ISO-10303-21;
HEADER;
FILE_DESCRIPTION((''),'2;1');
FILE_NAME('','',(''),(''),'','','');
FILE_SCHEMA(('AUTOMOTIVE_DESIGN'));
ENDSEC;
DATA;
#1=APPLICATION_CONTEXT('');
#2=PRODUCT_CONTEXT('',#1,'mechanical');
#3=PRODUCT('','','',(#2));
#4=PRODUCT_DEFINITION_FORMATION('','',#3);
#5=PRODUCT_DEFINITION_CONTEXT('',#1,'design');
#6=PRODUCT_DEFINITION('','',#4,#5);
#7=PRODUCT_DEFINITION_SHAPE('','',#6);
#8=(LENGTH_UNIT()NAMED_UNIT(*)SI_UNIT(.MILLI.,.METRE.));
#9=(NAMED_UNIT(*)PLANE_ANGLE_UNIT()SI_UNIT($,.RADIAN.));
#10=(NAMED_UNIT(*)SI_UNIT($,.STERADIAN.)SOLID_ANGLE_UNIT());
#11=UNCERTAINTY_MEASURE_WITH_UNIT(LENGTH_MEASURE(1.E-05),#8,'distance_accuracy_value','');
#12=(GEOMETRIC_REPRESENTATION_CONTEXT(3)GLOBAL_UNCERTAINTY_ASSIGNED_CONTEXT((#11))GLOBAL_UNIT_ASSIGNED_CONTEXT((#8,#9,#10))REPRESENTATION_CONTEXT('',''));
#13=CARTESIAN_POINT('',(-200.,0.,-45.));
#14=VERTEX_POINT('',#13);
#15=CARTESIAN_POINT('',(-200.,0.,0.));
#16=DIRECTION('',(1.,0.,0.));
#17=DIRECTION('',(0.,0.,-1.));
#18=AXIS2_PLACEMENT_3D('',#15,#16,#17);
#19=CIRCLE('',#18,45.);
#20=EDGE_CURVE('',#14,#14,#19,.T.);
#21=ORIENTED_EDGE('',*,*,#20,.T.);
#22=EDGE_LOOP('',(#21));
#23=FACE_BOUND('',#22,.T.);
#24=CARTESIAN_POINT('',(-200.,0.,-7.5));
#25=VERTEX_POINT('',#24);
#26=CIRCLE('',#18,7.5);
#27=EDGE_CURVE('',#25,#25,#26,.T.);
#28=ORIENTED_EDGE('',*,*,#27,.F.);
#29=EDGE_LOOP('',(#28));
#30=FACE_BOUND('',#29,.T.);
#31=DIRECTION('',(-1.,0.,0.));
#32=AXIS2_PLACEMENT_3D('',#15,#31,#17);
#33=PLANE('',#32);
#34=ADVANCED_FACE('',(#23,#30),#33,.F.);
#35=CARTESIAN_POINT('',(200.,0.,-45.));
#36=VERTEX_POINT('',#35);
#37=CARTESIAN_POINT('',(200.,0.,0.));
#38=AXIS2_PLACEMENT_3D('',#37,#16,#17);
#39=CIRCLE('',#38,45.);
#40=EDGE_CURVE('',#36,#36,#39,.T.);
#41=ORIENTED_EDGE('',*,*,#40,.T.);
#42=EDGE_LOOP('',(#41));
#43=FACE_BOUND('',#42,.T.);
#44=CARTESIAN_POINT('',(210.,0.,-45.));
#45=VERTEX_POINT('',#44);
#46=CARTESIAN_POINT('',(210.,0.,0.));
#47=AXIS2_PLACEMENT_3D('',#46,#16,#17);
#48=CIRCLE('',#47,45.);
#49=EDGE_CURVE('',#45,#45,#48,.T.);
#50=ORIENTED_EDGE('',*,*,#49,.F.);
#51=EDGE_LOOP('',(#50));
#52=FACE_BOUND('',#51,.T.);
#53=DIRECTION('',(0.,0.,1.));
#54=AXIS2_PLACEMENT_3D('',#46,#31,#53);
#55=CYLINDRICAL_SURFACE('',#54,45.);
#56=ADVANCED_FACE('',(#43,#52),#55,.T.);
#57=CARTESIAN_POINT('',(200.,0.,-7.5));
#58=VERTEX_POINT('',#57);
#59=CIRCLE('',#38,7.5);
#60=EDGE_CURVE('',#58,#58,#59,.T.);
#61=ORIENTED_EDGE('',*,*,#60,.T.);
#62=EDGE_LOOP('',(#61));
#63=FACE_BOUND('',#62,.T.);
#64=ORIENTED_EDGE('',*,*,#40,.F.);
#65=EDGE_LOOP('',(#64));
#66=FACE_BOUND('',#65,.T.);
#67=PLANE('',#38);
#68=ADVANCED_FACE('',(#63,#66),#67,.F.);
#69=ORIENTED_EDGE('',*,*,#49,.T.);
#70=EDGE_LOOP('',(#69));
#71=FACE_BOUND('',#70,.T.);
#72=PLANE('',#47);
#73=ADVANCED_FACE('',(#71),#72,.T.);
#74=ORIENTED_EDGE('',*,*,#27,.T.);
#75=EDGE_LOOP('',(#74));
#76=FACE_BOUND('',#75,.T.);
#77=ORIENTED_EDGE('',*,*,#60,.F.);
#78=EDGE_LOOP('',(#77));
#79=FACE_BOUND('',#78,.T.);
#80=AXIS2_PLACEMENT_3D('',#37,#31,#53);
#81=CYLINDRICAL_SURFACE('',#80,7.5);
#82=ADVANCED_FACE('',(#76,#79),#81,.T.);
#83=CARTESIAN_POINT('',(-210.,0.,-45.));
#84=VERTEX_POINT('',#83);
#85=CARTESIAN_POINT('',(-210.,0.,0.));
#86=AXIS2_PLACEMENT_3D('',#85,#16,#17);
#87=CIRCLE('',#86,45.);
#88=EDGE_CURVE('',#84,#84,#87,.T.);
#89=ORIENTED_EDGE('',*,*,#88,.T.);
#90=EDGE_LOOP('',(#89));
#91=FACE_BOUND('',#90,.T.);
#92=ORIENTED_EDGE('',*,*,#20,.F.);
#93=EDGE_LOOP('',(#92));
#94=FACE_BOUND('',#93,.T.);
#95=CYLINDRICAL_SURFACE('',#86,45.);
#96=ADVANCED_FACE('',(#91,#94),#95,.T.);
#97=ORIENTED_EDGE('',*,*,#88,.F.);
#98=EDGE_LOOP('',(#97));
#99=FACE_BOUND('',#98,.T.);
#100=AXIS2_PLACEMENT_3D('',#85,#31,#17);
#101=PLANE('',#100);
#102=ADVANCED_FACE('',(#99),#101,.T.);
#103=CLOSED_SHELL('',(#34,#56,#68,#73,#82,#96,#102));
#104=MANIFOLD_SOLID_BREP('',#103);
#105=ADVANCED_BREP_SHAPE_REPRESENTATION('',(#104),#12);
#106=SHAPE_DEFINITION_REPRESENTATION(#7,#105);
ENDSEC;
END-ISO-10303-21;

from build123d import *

# Parameters (mm, degrees)
SKETCH1_R           = 7.5
BOSS_EXTRUDE1_DEPTH = 200
SKETCH2_R           = 45
BOSS_EXTRUDE2_DEPTH = 10


with BuildPart() as part:
    # Sketch1 → Boss-Extrude1 (new body, symmetric)
    with BuildSketch(Plane(origin=(0, 0, 0), x_dir=(0, 0, -1), z_dir=(1, 0, 0))):
        Circle(SKETCH1_R)
    extrude(amount=BOSS_EXTRUDE1_DEPTH, both=True)

    # Sketch2 → Boss-Extrude2 (add)
    with BuildSketch(Plane(origin=(200, 0, 0), x_dir=(0, 0, -1), z_dir=(1, 0, 0))):
        Circle(SKETCH2_R)
    boss_extrude2 = extrude(amount=BOSS_EXTRUDE2_DEPTH)

    # Mirror1: Boss-Extrude2 across plane
    add(boss_extrude2.mirror(Plane(origin=(0, 0, 0), x_dir=(0, 0, 1), z_dir=(1, 0, 0))))


solid = part.part
